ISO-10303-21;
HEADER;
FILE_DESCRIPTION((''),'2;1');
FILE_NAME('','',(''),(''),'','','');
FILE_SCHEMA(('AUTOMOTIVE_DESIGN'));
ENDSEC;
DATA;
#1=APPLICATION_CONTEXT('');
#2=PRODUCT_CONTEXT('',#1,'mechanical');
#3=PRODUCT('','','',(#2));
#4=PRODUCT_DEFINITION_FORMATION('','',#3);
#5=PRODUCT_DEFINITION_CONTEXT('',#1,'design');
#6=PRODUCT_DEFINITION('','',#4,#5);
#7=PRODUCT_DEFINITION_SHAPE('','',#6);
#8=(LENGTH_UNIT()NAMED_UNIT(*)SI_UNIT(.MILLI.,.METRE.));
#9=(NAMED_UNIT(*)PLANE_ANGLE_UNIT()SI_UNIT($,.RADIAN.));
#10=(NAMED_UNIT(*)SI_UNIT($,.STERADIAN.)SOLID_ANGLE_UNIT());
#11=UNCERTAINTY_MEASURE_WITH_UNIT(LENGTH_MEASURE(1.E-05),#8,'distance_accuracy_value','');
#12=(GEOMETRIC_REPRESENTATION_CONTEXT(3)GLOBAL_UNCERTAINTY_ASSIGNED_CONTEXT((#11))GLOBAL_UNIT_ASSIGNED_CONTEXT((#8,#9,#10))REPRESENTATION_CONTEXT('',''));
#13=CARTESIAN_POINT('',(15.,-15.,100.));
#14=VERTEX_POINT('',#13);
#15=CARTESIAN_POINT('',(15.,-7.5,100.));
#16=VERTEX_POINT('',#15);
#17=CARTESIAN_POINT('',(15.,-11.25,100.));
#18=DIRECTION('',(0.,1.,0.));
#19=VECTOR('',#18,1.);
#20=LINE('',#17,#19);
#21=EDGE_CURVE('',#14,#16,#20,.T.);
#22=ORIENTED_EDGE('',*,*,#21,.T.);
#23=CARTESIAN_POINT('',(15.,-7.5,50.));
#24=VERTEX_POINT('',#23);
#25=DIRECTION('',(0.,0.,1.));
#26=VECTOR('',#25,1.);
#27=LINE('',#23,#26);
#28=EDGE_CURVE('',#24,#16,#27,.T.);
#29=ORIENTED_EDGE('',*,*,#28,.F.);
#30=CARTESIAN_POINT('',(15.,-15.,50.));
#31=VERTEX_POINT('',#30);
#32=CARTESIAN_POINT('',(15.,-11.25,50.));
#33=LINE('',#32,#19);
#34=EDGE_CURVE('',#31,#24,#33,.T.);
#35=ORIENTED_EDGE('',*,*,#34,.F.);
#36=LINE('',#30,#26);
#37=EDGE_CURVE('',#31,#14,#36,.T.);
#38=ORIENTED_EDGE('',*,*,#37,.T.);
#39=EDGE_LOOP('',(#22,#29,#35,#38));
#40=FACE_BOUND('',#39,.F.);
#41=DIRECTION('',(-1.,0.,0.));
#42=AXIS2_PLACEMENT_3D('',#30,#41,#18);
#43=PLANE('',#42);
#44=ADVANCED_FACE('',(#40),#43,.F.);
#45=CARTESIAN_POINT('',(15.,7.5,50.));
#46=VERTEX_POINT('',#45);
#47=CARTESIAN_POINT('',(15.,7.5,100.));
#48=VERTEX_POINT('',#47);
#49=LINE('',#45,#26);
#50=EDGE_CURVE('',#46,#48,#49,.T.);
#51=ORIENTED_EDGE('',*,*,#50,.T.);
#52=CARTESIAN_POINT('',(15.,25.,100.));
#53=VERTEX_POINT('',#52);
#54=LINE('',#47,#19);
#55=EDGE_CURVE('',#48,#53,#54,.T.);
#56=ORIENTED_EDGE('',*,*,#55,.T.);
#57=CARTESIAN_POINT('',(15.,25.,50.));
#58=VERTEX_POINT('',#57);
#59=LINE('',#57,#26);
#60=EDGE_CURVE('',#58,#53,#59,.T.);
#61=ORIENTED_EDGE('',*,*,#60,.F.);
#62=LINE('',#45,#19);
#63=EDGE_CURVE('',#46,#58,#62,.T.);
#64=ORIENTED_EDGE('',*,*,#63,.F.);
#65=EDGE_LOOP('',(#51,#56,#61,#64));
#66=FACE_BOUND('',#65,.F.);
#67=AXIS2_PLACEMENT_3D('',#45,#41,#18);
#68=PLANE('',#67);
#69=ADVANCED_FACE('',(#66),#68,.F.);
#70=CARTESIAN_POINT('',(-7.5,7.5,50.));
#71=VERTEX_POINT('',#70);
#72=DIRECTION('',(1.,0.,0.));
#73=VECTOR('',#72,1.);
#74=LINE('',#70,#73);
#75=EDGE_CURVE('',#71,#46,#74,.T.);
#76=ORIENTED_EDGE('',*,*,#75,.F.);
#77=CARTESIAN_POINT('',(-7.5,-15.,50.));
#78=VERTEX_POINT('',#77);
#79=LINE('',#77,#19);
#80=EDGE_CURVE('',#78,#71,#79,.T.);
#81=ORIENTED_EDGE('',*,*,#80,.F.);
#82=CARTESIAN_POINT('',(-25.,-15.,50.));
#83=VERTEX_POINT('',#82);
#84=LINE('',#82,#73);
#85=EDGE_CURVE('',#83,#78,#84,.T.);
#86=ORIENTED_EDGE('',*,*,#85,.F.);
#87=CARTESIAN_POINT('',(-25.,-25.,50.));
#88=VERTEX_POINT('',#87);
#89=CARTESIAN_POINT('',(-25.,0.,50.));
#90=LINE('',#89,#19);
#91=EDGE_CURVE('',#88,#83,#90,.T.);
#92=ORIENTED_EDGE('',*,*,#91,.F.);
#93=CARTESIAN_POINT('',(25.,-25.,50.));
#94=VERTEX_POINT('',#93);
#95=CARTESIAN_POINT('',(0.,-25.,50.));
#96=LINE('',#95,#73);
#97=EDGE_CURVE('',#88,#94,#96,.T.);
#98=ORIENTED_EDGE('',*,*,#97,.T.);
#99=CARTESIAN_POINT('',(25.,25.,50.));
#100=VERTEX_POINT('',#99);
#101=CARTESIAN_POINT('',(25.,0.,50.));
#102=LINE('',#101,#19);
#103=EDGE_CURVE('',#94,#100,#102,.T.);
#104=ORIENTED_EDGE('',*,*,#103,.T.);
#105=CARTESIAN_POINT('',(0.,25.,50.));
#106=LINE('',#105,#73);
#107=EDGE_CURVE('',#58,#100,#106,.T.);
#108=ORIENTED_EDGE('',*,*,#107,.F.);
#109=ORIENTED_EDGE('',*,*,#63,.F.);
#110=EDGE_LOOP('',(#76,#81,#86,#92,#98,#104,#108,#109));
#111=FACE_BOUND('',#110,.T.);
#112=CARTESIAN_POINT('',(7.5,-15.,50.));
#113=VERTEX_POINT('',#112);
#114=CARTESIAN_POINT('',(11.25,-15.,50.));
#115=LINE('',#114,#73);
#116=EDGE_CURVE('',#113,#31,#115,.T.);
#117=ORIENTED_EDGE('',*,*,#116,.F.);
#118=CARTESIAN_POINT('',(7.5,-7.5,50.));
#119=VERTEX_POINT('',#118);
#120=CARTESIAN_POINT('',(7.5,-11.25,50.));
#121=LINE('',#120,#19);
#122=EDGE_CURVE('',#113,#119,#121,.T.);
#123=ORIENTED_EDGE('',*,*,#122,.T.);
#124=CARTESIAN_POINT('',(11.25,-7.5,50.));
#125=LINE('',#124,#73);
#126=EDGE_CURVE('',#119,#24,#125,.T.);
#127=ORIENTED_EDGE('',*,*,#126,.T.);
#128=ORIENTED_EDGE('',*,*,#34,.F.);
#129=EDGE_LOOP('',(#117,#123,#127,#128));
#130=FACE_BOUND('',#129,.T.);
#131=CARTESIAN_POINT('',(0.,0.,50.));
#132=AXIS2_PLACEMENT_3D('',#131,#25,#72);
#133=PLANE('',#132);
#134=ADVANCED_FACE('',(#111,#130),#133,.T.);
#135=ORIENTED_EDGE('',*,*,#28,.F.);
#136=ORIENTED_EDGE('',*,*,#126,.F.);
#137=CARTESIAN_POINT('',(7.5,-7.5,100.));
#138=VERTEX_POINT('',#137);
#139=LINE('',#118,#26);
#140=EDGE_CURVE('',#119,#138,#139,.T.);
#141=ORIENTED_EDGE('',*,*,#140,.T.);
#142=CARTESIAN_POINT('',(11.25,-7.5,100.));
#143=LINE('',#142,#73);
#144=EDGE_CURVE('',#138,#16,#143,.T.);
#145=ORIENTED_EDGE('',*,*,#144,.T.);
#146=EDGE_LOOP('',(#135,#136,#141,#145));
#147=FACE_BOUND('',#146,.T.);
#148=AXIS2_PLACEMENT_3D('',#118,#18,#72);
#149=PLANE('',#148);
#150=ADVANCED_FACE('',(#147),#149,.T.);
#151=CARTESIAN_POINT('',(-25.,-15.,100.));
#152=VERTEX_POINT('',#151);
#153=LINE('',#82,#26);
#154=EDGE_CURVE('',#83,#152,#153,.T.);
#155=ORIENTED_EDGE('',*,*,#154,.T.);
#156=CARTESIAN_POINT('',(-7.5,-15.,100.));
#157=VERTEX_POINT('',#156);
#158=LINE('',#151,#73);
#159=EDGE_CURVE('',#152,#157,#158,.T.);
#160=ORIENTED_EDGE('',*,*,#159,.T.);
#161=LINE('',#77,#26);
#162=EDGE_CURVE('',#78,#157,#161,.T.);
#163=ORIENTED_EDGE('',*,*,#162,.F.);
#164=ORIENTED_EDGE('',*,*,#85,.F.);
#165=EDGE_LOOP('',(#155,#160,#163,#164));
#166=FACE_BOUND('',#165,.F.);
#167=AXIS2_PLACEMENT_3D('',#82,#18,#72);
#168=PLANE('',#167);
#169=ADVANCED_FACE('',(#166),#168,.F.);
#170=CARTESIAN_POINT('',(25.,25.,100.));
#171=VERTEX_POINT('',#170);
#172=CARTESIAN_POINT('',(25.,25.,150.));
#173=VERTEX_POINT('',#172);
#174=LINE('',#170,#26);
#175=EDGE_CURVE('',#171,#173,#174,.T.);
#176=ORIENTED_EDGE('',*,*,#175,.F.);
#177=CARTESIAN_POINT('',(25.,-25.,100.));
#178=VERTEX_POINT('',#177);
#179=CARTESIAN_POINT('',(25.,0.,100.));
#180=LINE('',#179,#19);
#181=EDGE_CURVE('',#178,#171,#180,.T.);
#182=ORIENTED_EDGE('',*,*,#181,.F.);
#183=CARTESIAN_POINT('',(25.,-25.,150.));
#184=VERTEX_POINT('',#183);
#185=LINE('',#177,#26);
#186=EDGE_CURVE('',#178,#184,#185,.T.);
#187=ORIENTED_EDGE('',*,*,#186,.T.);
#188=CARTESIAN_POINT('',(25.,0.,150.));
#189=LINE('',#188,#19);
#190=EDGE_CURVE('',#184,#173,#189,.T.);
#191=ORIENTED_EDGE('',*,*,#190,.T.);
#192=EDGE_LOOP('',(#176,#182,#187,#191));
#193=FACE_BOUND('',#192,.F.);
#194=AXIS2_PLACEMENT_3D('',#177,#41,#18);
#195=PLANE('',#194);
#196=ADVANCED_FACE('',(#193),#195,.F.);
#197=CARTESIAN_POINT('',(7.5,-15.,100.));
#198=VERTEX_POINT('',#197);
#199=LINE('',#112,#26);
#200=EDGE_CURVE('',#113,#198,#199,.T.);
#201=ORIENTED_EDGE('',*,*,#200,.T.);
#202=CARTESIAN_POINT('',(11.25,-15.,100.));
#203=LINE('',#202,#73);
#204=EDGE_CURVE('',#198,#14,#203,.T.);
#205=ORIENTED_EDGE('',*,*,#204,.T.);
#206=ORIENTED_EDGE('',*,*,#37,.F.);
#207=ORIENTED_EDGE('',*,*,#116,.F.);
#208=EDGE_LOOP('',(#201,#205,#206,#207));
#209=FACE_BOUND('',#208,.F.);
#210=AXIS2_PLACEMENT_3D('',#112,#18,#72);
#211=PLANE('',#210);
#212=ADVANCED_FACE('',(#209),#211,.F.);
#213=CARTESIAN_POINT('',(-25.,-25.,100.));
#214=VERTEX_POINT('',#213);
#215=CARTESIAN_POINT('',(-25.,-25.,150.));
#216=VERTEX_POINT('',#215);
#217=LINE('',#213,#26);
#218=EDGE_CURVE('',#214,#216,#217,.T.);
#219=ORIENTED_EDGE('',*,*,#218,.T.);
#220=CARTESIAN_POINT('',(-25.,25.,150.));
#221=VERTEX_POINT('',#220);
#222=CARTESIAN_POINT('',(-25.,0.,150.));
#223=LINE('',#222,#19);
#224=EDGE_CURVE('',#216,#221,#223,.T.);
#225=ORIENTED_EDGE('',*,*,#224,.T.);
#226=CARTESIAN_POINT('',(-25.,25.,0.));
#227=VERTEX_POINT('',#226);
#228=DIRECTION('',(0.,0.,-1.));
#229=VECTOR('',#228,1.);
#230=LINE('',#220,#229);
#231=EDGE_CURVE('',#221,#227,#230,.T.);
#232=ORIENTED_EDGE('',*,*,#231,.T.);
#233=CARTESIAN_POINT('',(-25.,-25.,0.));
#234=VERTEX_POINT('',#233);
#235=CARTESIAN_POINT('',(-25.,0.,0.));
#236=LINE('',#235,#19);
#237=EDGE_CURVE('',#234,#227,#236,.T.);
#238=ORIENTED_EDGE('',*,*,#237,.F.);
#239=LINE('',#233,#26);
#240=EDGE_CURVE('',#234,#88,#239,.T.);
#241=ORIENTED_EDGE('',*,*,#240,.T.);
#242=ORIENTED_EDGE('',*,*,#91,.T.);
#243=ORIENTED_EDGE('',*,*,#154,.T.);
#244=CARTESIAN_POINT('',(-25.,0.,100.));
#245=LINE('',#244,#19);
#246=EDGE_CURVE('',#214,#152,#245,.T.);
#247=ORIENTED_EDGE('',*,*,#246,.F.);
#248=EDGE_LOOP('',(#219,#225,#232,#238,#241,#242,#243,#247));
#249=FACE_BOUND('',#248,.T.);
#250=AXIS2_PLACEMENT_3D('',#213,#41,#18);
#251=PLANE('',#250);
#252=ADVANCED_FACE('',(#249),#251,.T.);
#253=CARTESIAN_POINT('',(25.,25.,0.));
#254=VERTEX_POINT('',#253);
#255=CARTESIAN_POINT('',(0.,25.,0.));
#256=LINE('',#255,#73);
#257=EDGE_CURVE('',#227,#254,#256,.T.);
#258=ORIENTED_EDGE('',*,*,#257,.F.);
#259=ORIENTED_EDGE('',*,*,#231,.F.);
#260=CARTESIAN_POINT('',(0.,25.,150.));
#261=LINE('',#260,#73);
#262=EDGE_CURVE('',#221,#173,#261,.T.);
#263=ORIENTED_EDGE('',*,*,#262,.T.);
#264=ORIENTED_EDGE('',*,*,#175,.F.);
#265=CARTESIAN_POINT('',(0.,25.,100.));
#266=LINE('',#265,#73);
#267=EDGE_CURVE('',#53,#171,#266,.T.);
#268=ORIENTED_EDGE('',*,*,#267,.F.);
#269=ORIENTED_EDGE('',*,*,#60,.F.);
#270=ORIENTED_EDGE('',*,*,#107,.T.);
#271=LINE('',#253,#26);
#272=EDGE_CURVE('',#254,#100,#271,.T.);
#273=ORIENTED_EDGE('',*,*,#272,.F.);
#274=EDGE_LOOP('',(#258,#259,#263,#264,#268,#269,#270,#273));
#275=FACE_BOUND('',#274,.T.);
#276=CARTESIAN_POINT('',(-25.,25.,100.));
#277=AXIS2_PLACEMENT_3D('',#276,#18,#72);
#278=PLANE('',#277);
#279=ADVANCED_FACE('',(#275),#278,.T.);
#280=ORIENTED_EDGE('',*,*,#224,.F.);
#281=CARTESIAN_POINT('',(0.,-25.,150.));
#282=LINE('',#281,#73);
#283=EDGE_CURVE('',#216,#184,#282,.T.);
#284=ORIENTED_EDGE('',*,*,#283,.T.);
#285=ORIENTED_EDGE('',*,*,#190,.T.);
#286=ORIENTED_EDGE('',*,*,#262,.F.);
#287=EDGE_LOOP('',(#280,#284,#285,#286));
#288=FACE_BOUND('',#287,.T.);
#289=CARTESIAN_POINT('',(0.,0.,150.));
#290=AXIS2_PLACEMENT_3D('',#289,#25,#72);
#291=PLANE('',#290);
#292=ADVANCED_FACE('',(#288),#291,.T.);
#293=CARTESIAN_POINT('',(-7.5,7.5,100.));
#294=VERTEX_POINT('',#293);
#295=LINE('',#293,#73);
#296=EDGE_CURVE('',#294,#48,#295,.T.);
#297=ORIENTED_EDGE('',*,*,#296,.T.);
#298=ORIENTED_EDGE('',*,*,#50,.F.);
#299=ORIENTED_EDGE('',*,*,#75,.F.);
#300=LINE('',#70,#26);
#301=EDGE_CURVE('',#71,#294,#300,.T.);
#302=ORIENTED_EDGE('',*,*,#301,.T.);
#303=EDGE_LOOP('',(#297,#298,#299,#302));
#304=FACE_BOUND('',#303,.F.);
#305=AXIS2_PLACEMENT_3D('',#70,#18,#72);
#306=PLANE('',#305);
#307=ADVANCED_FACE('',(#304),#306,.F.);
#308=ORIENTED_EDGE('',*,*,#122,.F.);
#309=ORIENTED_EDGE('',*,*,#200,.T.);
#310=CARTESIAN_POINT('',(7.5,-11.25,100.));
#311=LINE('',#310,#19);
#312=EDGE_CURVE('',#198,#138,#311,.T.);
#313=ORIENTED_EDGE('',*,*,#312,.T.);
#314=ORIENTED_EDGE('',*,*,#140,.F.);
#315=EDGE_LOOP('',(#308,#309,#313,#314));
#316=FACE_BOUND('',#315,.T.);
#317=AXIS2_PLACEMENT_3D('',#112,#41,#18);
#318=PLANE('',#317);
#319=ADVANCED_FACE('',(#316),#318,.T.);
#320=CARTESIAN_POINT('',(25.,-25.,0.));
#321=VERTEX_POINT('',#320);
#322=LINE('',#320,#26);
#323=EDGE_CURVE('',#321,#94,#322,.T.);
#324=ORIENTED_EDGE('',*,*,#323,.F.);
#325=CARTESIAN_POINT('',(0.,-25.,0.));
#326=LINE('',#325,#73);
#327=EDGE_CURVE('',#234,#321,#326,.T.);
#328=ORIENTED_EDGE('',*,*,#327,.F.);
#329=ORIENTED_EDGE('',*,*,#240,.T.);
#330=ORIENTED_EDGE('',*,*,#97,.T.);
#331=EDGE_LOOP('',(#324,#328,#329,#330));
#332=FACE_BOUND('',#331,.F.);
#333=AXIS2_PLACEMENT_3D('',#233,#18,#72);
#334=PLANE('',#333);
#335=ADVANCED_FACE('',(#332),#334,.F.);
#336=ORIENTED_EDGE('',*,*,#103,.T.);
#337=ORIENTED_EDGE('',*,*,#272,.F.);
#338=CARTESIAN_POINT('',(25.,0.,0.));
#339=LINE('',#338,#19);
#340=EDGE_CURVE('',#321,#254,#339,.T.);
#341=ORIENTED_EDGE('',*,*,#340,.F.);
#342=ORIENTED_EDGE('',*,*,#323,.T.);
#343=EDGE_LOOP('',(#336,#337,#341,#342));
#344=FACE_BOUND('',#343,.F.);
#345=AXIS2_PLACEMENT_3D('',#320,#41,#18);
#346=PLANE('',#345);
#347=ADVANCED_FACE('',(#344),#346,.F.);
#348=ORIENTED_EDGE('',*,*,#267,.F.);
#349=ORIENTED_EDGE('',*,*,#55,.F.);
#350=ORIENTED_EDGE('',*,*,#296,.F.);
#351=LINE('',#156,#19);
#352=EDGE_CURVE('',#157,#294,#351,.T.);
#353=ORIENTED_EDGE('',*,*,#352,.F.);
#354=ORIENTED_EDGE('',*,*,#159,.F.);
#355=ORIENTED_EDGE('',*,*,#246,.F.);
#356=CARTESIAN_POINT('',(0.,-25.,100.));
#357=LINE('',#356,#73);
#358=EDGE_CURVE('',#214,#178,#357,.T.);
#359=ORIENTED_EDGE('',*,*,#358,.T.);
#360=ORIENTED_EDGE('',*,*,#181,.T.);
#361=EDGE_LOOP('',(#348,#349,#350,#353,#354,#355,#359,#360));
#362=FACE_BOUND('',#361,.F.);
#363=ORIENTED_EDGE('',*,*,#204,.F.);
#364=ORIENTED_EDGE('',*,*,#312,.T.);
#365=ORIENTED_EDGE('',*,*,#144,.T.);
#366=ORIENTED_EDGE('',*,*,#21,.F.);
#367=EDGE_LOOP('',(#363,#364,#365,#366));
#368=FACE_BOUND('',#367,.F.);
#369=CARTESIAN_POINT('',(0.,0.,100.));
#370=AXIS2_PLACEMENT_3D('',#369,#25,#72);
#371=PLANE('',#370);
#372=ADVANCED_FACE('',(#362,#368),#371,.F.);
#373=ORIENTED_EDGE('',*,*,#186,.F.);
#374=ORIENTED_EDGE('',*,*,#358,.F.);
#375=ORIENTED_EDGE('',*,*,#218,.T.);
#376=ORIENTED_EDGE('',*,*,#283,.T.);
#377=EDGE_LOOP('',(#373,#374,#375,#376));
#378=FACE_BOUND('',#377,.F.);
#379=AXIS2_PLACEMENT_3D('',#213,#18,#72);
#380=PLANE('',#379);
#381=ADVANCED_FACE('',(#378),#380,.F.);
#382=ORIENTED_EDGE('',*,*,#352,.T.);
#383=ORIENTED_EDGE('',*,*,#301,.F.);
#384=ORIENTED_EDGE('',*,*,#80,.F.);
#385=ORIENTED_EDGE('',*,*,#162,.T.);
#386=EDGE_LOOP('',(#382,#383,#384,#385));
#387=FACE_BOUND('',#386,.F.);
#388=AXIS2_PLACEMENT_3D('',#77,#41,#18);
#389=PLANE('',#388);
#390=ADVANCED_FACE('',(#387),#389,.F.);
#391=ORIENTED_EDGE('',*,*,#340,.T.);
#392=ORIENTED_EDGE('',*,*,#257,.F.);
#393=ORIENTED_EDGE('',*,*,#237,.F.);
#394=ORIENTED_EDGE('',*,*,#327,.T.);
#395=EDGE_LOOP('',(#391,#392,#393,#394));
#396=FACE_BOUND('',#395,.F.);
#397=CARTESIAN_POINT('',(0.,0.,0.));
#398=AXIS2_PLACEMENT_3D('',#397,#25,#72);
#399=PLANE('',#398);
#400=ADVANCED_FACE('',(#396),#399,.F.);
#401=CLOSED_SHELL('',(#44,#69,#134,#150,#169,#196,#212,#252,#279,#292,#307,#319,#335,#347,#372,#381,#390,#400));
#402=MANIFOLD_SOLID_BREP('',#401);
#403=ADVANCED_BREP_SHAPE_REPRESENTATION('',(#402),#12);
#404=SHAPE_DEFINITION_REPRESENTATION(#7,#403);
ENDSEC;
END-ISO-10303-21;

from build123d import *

# Parameters (mm, degrees)
F0_W     = 50
F0_H     = 50
F1_DEPTH = 50
F2_W     = 7.5
F2_H     = 7.5
F3_DEPTH = 50
F4_W     = 50
F4_H     = 50
F5_DEPTH = 50


with BuildPart() as f1:
    # F0 (on Top) → F1 (new body)
    with BuildSketch(Plane.XY):
        Rectangle(F0_W, F0_H)
    extrude(amount=F1_DEPTH)

    # F2 (on face) → F3 (join)
    with BuildSketch(Plane.XY.offset(50)):
        Polygon((15, 25), (-25, 25), (-25, -15), (-7.5, -15), (-7.5, 7.5), (15, 7.5), align=None)
        with Locations((11.25, -11.25)):
            Rectangle(F2_W, F2_H)
    extrude(amount=F3_DEPTH)

    # F4 (on face) → F5 (join)
    with BuildSketch(Plane.XY.offset(100)):
        Rectangle(F4_W, F4_H)
    extrude(amount=F5_DEPTH)


solid = f1.part
